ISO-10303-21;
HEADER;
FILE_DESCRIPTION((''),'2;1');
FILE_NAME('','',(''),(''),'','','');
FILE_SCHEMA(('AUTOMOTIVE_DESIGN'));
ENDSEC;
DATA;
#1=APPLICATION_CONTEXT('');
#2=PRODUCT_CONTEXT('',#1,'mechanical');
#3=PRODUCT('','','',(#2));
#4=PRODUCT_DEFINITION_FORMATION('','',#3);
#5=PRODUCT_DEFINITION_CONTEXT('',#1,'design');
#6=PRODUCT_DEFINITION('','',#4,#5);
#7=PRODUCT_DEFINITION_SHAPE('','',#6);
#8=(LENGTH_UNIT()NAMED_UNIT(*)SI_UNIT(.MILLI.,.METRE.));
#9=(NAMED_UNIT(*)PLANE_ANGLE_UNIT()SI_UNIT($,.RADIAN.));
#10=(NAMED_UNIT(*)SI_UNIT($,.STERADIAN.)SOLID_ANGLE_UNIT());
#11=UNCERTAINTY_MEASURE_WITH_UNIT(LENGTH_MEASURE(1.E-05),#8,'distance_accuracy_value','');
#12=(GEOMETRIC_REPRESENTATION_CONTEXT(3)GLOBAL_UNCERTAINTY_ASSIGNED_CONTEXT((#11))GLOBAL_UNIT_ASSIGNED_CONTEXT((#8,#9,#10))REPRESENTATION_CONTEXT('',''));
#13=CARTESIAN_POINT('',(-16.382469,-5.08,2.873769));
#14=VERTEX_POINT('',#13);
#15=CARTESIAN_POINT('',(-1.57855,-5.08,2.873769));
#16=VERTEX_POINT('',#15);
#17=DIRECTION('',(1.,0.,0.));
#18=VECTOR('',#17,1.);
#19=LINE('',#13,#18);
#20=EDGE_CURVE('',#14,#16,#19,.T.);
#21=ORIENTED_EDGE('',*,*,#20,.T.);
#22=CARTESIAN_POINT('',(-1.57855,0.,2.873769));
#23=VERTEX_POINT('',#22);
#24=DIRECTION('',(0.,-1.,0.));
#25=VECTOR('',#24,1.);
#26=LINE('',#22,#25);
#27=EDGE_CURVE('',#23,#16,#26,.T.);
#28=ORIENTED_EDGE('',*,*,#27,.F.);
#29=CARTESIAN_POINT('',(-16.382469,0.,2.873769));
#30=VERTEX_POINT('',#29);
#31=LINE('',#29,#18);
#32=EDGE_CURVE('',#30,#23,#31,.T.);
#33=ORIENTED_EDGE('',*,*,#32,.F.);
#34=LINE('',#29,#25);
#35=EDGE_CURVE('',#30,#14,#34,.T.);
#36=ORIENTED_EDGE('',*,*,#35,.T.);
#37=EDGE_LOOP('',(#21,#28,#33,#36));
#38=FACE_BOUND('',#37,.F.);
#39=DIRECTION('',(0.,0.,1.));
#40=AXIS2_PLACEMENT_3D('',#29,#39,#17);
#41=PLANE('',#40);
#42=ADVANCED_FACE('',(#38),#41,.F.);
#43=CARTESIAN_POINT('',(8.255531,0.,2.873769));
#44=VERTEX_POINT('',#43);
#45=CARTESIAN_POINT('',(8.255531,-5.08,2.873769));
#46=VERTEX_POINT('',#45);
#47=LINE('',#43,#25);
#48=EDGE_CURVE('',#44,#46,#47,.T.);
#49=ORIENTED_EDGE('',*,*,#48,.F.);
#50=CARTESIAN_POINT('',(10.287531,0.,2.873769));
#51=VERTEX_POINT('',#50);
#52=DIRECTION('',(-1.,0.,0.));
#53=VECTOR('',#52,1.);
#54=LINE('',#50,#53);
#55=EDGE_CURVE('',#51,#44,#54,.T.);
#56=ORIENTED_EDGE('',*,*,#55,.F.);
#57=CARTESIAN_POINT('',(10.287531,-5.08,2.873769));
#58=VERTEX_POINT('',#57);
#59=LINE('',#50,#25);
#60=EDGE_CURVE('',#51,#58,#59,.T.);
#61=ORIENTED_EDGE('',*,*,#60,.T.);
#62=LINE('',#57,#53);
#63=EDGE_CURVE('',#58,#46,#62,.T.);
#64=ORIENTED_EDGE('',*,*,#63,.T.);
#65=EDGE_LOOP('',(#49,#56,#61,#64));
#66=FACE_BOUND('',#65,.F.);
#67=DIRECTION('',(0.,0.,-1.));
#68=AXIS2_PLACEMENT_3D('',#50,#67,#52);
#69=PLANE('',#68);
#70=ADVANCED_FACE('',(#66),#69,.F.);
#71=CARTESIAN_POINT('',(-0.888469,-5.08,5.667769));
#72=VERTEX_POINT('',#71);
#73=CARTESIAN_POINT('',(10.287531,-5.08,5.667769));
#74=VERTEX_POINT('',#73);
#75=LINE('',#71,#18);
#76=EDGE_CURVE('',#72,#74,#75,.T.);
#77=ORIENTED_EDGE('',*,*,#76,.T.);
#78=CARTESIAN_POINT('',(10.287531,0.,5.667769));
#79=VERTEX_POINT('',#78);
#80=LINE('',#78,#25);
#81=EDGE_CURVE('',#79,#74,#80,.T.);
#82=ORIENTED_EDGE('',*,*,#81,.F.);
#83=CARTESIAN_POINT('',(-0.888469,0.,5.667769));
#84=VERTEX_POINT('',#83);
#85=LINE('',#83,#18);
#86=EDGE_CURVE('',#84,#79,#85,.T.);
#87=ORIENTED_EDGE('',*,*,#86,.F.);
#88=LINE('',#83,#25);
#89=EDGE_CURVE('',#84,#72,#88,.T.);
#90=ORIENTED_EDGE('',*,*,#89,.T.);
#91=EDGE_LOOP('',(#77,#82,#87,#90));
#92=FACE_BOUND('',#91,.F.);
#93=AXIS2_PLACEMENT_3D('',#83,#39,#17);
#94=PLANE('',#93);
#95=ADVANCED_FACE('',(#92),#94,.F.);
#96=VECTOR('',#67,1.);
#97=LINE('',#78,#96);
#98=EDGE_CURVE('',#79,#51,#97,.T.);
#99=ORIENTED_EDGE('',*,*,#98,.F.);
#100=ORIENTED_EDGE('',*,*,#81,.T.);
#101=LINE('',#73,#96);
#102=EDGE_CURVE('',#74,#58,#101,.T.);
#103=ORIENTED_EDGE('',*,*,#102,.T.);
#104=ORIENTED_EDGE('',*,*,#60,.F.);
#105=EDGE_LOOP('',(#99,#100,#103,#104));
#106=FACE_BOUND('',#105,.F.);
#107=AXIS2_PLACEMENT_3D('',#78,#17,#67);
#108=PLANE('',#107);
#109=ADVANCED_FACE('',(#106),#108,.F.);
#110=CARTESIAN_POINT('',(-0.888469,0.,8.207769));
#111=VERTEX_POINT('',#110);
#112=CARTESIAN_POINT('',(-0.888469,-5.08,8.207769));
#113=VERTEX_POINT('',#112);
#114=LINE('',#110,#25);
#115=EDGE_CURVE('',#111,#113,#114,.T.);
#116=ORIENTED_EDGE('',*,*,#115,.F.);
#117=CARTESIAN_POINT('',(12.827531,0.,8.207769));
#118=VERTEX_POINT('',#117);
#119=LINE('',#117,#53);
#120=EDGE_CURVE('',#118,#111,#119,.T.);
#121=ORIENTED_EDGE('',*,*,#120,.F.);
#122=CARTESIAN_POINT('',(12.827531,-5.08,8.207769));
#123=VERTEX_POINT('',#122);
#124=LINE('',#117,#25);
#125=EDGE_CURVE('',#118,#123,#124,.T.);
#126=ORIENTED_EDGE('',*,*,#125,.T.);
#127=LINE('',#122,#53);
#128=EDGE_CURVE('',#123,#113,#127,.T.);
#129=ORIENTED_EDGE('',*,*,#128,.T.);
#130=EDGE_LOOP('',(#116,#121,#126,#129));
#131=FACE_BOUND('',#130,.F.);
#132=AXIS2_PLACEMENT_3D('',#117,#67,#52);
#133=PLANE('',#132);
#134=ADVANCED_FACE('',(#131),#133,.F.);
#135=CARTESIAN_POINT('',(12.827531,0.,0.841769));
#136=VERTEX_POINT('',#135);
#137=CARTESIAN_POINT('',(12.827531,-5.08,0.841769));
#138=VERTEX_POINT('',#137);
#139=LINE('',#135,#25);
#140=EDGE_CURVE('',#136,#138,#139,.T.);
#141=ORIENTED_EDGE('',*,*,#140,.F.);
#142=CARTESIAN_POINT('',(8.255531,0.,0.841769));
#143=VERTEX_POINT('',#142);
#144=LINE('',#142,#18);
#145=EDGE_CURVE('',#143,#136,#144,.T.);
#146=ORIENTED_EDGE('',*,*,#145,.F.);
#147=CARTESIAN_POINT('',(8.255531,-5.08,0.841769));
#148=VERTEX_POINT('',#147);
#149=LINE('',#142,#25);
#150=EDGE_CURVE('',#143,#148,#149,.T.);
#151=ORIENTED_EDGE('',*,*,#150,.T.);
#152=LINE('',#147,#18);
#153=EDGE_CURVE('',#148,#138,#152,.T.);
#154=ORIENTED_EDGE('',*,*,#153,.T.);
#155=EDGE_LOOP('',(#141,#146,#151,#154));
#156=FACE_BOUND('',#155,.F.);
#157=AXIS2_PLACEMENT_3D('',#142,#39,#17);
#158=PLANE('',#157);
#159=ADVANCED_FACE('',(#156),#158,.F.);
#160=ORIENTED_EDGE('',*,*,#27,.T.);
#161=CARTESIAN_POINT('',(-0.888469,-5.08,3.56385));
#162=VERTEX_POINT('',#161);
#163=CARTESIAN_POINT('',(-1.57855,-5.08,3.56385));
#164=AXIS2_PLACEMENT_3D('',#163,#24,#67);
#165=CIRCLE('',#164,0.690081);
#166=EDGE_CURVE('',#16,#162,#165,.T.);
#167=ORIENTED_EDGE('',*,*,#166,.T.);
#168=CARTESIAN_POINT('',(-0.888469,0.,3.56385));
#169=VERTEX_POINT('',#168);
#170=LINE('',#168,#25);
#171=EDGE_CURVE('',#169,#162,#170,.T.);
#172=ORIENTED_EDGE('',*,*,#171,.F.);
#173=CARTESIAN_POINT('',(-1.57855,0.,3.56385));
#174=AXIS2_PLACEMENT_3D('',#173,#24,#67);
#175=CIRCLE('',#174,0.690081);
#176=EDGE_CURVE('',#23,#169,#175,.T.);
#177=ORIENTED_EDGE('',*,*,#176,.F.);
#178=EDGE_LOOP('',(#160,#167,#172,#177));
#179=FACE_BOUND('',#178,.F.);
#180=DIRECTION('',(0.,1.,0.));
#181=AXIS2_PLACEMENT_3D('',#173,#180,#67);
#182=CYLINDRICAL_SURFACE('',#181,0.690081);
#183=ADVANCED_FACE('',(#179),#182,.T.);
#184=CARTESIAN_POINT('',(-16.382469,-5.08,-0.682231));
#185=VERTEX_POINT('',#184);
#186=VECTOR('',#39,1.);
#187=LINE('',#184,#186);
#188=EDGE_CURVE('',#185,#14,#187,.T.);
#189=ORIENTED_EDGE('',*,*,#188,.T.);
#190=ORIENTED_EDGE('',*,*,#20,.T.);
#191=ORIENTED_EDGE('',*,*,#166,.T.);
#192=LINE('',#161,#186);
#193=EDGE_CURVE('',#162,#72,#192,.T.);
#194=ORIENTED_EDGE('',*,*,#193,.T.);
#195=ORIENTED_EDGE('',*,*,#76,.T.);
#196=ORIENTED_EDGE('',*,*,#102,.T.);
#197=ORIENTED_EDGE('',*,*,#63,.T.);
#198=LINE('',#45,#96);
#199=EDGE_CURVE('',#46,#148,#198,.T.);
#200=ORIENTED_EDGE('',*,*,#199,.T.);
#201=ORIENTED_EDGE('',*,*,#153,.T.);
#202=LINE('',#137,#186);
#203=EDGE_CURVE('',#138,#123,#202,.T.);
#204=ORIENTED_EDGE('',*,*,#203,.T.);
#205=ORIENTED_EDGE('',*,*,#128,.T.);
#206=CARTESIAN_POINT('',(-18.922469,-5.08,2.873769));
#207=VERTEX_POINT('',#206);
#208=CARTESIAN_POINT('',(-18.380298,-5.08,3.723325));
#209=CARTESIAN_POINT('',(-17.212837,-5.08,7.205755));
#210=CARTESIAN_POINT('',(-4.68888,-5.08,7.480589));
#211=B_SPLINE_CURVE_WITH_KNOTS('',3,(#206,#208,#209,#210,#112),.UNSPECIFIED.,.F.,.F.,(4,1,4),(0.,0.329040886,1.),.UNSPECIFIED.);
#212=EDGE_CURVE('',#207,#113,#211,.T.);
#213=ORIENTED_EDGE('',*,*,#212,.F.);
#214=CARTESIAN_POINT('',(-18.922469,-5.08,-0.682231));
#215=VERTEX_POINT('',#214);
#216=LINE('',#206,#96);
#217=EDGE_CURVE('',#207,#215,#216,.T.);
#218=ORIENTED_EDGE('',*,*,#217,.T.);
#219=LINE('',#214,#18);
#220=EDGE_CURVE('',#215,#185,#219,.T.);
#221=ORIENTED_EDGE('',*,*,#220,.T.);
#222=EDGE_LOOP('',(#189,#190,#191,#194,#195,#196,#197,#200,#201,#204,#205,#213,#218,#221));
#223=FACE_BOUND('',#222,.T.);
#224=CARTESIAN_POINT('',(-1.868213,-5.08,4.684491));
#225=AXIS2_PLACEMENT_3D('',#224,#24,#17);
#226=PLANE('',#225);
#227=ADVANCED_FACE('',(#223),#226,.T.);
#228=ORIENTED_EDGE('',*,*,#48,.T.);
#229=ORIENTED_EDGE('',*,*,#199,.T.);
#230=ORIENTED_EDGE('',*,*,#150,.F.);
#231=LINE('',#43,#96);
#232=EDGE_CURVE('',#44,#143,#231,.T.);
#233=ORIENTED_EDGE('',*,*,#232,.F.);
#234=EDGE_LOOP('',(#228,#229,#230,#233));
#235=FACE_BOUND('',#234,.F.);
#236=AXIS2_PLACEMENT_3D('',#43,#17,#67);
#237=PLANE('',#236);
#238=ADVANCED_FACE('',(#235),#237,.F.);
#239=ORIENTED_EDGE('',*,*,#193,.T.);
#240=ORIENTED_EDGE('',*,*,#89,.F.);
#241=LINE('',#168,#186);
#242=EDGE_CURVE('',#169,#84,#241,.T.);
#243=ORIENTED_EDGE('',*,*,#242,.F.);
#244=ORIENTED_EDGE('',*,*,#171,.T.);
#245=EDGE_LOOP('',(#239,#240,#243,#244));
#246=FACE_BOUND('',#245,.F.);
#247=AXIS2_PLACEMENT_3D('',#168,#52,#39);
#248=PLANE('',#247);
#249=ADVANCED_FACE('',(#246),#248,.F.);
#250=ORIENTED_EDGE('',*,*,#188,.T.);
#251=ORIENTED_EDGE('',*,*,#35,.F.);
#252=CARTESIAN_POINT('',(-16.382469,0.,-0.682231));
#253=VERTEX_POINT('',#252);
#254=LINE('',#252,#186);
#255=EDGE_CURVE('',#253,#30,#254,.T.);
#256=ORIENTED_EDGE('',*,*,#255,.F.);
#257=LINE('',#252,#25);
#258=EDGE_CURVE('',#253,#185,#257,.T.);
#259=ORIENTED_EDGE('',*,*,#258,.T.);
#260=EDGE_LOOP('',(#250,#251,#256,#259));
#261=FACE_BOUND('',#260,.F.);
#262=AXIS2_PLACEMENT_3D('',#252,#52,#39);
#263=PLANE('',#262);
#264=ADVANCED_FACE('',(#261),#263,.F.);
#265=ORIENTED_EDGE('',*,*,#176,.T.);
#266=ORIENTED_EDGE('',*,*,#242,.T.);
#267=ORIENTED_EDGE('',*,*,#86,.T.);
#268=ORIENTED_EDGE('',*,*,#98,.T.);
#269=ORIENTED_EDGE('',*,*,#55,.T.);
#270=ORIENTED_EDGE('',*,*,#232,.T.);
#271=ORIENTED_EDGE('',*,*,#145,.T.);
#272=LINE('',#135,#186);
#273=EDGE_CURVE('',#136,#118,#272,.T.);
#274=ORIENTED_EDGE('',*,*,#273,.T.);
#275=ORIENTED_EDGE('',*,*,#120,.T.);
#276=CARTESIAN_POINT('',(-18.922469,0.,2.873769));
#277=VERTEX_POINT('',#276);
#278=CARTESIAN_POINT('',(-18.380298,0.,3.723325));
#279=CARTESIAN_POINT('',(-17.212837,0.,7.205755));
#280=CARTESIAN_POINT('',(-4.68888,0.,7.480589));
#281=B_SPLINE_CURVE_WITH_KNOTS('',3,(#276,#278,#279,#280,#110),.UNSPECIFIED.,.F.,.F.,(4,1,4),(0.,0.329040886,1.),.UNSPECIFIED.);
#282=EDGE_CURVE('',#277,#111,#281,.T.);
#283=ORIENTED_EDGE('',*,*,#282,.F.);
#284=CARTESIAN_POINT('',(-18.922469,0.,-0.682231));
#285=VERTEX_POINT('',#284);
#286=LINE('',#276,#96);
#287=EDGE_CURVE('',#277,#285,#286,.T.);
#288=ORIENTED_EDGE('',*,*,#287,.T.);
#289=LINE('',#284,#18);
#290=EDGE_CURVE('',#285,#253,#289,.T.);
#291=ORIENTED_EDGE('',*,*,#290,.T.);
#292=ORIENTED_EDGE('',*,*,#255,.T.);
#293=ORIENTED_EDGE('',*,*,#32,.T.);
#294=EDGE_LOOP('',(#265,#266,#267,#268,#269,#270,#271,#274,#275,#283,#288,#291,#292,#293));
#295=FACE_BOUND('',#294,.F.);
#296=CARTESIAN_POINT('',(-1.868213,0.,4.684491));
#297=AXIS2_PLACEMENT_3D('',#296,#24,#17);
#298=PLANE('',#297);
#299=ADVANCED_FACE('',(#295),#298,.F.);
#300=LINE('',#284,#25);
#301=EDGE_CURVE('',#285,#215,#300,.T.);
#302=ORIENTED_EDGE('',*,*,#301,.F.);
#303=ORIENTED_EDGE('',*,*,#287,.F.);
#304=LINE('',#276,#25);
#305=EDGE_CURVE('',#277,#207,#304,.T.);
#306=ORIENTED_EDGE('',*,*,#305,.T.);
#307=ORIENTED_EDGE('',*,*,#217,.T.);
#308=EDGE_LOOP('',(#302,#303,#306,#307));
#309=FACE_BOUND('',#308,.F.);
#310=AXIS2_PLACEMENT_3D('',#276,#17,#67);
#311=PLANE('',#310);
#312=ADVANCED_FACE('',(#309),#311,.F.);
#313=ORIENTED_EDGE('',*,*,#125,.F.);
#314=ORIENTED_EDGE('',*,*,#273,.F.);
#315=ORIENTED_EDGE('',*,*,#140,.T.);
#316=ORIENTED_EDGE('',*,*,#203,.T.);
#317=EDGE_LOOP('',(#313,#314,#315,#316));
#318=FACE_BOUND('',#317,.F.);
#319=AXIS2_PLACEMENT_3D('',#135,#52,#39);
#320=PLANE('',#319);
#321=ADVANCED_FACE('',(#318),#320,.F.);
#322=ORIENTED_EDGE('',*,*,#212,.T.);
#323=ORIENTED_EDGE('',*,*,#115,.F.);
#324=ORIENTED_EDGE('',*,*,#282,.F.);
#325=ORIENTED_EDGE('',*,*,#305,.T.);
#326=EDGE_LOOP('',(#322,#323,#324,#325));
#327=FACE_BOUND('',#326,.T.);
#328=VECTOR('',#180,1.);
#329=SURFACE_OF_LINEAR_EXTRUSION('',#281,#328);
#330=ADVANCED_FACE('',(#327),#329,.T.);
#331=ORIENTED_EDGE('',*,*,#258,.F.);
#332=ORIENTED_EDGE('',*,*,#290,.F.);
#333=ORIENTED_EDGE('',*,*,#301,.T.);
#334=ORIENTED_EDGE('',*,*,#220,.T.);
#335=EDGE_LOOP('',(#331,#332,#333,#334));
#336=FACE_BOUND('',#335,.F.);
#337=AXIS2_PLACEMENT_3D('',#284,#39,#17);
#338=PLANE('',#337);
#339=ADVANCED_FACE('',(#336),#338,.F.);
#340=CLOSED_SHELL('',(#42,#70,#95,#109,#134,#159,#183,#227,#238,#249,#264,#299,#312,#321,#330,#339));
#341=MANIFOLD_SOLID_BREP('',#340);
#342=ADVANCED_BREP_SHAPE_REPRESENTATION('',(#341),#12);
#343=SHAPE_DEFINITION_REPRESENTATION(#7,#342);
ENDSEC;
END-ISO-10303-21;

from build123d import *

# Parameters (mm, degrees)
F1_DEPTH = 5.08


with BuildPart() as f1:
    # F0 (on Front) → F1 (new body)
    with BuildSketch(Plane.XZ):
        with BuildLine():
            Line((-0.8884693962, 3.5638500812), (-0.8884693962, 5.6677692773))
            Line((-0.8884693962, 5.6677692773), (10.2875306038, 5.6677692773))
            Line((10.2875306038, 5.6677692773), (10.2875306038, 2.8737692773))
            Line((10.2875306038, 2.8737692773), (8.2555306038, 2.8737692773))
            Line((8.2555306038, 2.8737692773), (8.2555306038, 0.8417692773))
            Line((8.2555306038, 0.8417692773), (12.8275306038, 0.8417692773))
            Line((12.8275306038, 0.8417692773), (12.8275306038, 8.2077692773))
            Line((12.8275306038, 8.2077692773), (-0.8884693962, 8.2077692773))
            add(Edge.make_bspline(
                [(-18.9224693962, 2.8737692773), (-18.3802981984, 3.7233250313), (-17.2128373027, 7.205755464), (-4.6888800099, 7.4805894795), (-0.8884693962, 8.2077692773)],
                knots=[0, 0, 0, 0, 0.3290408858, 1, 1, 1, 1], degree=3))
            Line((-18.9224693962, 2.8737692773), (-18.9224693962, -0.6822307227))
            Line((-18.9224693962, -0.6822307227), (-16.3824693962, -0.6822307227))
            Line((-16.3824693962, -0.6822307227), (-16.3824693962, 2.8737692773))
            Line((-16.3824693962, 2.8737692773), (-1.5785502001, 2.8737692773))
            ThreePointArc((-1.5785502001, 2.8737692773), (-1.0905893841, 3.0758892652), (-0.8884693962, 3.5638500812))
        make_face()
    extrude(amount=F1_DEPTH)


solid = f1.part
